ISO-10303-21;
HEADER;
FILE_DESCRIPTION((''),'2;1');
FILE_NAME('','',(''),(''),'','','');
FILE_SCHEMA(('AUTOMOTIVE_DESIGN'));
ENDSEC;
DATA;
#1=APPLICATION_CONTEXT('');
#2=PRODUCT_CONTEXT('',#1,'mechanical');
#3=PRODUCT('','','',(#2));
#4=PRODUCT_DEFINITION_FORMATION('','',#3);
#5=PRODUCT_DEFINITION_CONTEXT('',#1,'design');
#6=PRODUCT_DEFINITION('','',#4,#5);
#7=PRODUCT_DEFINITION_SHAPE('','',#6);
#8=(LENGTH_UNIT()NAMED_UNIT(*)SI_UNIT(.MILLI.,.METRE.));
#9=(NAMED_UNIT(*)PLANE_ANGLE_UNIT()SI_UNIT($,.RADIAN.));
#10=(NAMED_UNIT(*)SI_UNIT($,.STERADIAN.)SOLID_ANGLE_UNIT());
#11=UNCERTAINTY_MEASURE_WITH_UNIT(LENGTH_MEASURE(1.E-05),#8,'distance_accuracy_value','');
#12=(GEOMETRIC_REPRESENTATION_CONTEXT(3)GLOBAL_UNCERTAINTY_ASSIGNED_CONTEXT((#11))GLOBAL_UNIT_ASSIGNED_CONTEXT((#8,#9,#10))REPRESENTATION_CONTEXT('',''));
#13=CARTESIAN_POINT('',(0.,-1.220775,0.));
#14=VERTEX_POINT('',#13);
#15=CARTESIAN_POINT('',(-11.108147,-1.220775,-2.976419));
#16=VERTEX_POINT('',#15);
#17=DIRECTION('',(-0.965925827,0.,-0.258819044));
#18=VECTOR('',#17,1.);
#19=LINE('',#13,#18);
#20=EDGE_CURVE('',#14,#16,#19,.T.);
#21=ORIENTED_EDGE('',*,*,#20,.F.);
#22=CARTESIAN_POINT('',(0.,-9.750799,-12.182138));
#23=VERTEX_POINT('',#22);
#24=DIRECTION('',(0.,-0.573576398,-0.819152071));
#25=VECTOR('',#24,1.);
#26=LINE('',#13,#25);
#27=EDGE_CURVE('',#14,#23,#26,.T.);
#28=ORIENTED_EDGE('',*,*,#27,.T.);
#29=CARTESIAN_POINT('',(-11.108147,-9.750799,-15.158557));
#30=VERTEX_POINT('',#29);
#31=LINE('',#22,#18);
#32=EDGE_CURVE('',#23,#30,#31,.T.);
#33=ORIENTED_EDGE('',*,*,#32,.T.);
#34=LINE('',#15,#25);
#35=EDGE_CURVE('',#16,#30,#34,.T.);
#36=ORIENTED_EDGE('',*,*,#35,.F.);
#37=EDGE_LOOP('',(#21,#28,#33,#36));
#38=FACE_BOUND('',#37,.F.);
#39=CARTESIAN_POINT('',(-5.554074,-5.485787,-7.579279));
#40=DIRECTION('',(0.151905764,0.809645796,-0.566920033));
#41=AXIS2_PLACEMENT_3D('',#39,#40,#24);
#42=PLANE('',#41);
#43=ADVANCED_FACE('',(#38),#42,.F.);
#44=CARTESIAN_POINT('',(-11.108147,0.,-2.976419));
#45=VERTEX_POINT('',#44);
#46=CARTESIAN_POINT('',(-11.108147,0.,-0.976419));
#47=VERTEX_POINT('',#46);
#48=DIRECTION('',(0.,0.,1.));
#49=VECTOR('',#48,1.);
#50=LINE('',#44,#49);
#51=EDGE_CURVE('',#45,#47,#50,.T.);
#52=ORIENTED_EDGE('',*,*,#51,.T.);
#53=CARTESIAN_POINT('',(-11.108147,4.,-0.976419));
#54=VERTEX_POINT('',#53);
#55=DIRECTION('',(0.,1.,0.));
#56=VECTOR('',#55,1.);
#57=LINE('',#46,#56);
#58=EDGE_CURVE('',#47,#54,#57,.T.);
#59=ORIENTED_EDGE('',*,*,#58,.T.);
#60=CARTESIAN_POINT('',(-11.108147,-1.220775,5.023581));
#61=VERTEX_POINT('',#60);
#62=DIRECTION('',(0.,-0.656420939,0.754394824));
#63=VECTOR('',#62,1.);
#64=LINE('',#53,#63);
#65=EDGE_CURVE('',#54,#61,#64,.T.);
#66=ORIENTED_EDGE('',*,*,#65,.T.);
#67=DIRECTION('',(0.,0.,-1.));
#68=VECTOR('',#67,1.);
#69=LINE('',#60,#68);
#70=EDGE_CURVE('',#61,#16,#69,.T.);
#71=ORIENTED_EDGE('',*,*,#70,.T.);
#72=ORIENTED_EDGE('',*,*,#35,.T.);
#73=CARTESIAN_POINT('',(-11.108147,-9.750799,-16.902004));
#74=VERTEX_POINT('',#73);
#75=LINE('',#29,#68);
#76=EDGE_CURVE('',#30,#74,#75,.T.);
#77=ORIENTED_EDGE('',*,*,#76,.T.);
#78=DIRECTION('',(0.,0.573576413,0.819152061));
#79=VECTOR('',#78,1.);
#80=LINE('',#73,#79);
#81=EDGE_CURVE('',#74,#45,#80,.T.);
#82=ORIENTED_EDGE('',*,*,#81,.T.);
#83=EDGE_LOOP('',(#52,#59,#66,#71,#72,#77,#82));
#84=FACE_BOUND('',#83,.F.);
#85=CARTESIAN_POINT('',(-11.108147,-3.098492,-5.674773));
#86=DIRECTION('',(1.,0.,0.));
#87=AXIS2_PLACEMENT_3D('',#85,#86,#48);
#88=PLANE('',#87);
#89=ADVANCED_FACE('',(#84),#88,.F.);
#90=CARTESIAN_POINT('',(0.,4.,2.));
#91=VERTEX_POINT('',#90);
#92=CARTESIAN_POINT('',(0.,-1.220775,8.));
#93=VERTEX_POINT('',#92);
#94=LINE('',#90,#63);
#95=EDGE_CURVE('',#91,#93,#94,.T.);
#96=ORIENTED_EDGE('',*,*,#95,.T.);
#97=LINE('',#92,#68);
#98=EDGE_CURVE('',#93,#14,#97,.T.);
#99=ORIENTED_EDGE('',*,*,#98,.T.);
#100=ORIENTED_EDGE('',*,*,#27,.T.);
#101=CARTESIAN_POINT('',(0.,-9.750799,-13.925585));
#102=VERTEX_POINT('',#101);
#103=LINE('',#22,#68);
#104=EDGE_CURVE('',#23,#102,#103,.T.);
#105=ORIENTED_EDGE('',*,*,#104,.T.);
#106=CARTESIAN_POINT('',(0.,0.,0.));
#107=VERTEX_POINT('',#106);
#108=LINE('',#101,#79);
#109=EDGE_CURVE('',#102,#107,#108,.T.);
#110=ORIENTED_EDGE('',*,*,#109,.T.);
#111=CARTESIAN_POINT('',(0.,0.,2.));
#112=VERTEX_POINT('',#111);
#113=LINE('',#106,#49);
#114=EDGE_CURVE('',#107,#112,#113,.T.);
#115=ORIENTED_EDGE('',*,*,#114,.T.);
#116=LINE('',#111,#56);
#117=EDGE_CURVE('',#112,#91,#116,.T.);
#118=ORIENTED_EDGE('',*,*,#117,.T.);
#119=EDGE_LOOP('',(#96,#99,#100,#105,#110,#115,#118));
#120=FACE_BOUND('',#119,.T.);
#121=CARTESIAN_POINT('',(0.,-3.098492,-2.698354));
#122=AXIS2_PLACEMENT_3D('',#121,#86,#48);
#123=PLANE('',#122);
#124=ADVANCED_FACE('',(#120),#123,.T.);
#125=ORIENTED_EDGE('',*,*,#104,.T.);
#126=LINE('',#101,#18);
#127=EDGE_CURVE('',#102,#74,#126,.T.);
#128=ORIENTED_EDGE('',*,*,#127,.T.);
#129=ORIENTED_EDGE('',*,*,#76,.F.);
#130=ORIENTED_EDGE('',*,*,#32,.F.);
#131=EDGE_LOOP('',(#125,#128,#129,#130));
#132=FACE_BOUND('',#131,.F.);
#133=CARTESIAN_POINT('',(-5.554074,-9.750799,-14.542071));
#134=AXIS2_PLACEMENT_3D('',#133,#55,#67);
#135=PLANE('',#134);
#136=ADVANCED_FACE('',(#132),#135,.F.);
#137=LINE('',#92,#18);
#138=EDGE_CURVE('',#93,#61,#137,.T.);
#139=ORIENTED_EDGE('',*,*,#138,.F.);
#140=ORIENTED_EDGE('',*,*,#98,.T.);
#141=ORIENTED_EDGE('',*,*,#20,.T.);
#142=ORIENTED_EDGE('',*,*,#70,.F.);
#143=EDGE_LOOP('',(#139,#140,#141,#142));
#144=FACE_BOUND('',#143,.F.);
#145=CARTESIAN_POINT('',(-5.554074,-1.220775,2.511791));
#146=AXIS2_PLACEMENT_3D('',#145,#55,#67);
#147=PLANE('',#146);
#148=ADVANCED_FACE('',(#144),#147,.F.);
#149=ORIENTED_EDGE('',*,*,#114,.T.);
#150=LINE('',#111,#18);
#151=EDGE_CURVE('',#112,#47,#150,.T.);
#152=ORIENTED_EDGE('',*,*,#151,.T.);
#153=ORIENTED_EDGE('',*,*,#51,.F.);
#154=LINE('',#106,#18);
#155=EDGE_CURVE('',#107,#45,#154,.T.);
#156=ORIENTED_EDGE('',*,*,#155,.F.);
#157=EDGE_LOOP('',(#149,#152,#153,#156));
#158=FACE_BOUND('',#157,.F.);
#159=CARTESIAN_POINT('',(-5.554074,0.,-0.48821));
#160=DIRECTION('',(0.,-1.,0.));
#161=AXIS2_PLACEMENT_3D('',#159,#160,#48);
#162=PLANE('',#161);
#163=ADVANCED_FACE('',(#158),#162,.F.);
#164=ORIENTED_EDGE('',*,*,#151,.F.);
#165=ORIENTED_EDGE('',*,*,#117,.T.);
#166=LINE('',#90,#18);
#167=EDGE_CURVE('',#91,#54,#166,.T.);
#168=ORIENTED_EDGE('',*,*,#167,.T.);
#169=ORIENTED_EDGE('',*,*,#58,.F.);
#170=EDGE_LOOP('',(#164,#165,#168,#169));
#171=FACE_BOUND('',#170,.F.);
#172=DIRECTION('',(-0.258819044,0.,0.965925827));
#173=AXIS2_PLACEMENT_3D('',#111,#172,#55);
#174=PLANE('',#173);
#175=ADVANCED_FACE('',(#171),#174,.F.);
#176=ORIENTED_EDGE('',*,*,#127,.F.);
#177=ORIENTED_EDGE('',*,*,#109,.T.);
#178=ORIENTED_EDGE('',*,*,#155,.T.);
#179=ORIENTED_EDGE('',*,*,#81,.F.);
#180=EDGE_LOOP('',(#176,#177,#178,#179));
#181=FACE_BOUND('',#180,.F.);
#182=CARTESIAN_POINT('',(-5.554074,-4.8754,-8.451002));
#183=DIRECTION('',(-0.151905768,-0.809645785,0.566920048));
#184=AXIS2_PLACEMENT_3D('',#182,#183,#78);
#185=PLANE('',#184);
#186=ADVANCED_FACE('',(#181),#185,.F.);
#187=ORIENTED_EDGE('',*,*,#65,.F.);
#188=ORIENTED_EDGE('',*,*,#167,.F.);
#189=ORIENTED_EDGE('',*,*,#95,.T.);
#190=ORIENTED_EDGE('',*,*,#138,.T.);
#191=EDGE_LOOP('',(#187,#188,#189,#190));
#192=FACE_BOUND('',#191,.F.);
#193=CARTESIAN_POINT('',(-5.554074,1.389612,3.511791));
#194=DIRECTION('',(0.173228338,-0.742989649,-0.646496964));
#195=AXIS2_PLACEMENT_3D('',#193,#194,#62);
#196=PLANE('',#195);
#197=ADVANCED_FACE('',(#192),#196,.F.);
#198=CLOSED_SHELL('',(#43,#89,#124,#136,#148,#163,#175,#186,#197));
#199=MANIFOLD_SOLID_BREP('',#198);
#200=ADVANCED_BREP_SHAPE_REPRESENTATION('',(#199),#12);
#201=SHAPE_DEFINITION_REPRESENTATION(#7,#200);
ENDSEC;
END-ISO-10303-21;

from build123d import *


with BuildPart() as f3:
    # F3: sweep along a path in F2
    with BuildLine(Plane(origin=(0, -1.220775, 0), x_dir=(-1, 0, 0), z_dir=(0, 1, 0))) as f3_path:
        Line((0, 8), (11.108147, 5.023581))
    # F0 (on Right) → F3 (sweep)
    with BuildSketch(Plane.YZ):
        Polygon((-9.750799, -13.925585), (0, 0), (0, 2), (4, 2), (-1.220775, 8), (-1.220775, 2), (-1.220775, 0), (-9.750799, -12.182138), align=None)
    sweep(path=f3_path.line)


solid = f3.part
